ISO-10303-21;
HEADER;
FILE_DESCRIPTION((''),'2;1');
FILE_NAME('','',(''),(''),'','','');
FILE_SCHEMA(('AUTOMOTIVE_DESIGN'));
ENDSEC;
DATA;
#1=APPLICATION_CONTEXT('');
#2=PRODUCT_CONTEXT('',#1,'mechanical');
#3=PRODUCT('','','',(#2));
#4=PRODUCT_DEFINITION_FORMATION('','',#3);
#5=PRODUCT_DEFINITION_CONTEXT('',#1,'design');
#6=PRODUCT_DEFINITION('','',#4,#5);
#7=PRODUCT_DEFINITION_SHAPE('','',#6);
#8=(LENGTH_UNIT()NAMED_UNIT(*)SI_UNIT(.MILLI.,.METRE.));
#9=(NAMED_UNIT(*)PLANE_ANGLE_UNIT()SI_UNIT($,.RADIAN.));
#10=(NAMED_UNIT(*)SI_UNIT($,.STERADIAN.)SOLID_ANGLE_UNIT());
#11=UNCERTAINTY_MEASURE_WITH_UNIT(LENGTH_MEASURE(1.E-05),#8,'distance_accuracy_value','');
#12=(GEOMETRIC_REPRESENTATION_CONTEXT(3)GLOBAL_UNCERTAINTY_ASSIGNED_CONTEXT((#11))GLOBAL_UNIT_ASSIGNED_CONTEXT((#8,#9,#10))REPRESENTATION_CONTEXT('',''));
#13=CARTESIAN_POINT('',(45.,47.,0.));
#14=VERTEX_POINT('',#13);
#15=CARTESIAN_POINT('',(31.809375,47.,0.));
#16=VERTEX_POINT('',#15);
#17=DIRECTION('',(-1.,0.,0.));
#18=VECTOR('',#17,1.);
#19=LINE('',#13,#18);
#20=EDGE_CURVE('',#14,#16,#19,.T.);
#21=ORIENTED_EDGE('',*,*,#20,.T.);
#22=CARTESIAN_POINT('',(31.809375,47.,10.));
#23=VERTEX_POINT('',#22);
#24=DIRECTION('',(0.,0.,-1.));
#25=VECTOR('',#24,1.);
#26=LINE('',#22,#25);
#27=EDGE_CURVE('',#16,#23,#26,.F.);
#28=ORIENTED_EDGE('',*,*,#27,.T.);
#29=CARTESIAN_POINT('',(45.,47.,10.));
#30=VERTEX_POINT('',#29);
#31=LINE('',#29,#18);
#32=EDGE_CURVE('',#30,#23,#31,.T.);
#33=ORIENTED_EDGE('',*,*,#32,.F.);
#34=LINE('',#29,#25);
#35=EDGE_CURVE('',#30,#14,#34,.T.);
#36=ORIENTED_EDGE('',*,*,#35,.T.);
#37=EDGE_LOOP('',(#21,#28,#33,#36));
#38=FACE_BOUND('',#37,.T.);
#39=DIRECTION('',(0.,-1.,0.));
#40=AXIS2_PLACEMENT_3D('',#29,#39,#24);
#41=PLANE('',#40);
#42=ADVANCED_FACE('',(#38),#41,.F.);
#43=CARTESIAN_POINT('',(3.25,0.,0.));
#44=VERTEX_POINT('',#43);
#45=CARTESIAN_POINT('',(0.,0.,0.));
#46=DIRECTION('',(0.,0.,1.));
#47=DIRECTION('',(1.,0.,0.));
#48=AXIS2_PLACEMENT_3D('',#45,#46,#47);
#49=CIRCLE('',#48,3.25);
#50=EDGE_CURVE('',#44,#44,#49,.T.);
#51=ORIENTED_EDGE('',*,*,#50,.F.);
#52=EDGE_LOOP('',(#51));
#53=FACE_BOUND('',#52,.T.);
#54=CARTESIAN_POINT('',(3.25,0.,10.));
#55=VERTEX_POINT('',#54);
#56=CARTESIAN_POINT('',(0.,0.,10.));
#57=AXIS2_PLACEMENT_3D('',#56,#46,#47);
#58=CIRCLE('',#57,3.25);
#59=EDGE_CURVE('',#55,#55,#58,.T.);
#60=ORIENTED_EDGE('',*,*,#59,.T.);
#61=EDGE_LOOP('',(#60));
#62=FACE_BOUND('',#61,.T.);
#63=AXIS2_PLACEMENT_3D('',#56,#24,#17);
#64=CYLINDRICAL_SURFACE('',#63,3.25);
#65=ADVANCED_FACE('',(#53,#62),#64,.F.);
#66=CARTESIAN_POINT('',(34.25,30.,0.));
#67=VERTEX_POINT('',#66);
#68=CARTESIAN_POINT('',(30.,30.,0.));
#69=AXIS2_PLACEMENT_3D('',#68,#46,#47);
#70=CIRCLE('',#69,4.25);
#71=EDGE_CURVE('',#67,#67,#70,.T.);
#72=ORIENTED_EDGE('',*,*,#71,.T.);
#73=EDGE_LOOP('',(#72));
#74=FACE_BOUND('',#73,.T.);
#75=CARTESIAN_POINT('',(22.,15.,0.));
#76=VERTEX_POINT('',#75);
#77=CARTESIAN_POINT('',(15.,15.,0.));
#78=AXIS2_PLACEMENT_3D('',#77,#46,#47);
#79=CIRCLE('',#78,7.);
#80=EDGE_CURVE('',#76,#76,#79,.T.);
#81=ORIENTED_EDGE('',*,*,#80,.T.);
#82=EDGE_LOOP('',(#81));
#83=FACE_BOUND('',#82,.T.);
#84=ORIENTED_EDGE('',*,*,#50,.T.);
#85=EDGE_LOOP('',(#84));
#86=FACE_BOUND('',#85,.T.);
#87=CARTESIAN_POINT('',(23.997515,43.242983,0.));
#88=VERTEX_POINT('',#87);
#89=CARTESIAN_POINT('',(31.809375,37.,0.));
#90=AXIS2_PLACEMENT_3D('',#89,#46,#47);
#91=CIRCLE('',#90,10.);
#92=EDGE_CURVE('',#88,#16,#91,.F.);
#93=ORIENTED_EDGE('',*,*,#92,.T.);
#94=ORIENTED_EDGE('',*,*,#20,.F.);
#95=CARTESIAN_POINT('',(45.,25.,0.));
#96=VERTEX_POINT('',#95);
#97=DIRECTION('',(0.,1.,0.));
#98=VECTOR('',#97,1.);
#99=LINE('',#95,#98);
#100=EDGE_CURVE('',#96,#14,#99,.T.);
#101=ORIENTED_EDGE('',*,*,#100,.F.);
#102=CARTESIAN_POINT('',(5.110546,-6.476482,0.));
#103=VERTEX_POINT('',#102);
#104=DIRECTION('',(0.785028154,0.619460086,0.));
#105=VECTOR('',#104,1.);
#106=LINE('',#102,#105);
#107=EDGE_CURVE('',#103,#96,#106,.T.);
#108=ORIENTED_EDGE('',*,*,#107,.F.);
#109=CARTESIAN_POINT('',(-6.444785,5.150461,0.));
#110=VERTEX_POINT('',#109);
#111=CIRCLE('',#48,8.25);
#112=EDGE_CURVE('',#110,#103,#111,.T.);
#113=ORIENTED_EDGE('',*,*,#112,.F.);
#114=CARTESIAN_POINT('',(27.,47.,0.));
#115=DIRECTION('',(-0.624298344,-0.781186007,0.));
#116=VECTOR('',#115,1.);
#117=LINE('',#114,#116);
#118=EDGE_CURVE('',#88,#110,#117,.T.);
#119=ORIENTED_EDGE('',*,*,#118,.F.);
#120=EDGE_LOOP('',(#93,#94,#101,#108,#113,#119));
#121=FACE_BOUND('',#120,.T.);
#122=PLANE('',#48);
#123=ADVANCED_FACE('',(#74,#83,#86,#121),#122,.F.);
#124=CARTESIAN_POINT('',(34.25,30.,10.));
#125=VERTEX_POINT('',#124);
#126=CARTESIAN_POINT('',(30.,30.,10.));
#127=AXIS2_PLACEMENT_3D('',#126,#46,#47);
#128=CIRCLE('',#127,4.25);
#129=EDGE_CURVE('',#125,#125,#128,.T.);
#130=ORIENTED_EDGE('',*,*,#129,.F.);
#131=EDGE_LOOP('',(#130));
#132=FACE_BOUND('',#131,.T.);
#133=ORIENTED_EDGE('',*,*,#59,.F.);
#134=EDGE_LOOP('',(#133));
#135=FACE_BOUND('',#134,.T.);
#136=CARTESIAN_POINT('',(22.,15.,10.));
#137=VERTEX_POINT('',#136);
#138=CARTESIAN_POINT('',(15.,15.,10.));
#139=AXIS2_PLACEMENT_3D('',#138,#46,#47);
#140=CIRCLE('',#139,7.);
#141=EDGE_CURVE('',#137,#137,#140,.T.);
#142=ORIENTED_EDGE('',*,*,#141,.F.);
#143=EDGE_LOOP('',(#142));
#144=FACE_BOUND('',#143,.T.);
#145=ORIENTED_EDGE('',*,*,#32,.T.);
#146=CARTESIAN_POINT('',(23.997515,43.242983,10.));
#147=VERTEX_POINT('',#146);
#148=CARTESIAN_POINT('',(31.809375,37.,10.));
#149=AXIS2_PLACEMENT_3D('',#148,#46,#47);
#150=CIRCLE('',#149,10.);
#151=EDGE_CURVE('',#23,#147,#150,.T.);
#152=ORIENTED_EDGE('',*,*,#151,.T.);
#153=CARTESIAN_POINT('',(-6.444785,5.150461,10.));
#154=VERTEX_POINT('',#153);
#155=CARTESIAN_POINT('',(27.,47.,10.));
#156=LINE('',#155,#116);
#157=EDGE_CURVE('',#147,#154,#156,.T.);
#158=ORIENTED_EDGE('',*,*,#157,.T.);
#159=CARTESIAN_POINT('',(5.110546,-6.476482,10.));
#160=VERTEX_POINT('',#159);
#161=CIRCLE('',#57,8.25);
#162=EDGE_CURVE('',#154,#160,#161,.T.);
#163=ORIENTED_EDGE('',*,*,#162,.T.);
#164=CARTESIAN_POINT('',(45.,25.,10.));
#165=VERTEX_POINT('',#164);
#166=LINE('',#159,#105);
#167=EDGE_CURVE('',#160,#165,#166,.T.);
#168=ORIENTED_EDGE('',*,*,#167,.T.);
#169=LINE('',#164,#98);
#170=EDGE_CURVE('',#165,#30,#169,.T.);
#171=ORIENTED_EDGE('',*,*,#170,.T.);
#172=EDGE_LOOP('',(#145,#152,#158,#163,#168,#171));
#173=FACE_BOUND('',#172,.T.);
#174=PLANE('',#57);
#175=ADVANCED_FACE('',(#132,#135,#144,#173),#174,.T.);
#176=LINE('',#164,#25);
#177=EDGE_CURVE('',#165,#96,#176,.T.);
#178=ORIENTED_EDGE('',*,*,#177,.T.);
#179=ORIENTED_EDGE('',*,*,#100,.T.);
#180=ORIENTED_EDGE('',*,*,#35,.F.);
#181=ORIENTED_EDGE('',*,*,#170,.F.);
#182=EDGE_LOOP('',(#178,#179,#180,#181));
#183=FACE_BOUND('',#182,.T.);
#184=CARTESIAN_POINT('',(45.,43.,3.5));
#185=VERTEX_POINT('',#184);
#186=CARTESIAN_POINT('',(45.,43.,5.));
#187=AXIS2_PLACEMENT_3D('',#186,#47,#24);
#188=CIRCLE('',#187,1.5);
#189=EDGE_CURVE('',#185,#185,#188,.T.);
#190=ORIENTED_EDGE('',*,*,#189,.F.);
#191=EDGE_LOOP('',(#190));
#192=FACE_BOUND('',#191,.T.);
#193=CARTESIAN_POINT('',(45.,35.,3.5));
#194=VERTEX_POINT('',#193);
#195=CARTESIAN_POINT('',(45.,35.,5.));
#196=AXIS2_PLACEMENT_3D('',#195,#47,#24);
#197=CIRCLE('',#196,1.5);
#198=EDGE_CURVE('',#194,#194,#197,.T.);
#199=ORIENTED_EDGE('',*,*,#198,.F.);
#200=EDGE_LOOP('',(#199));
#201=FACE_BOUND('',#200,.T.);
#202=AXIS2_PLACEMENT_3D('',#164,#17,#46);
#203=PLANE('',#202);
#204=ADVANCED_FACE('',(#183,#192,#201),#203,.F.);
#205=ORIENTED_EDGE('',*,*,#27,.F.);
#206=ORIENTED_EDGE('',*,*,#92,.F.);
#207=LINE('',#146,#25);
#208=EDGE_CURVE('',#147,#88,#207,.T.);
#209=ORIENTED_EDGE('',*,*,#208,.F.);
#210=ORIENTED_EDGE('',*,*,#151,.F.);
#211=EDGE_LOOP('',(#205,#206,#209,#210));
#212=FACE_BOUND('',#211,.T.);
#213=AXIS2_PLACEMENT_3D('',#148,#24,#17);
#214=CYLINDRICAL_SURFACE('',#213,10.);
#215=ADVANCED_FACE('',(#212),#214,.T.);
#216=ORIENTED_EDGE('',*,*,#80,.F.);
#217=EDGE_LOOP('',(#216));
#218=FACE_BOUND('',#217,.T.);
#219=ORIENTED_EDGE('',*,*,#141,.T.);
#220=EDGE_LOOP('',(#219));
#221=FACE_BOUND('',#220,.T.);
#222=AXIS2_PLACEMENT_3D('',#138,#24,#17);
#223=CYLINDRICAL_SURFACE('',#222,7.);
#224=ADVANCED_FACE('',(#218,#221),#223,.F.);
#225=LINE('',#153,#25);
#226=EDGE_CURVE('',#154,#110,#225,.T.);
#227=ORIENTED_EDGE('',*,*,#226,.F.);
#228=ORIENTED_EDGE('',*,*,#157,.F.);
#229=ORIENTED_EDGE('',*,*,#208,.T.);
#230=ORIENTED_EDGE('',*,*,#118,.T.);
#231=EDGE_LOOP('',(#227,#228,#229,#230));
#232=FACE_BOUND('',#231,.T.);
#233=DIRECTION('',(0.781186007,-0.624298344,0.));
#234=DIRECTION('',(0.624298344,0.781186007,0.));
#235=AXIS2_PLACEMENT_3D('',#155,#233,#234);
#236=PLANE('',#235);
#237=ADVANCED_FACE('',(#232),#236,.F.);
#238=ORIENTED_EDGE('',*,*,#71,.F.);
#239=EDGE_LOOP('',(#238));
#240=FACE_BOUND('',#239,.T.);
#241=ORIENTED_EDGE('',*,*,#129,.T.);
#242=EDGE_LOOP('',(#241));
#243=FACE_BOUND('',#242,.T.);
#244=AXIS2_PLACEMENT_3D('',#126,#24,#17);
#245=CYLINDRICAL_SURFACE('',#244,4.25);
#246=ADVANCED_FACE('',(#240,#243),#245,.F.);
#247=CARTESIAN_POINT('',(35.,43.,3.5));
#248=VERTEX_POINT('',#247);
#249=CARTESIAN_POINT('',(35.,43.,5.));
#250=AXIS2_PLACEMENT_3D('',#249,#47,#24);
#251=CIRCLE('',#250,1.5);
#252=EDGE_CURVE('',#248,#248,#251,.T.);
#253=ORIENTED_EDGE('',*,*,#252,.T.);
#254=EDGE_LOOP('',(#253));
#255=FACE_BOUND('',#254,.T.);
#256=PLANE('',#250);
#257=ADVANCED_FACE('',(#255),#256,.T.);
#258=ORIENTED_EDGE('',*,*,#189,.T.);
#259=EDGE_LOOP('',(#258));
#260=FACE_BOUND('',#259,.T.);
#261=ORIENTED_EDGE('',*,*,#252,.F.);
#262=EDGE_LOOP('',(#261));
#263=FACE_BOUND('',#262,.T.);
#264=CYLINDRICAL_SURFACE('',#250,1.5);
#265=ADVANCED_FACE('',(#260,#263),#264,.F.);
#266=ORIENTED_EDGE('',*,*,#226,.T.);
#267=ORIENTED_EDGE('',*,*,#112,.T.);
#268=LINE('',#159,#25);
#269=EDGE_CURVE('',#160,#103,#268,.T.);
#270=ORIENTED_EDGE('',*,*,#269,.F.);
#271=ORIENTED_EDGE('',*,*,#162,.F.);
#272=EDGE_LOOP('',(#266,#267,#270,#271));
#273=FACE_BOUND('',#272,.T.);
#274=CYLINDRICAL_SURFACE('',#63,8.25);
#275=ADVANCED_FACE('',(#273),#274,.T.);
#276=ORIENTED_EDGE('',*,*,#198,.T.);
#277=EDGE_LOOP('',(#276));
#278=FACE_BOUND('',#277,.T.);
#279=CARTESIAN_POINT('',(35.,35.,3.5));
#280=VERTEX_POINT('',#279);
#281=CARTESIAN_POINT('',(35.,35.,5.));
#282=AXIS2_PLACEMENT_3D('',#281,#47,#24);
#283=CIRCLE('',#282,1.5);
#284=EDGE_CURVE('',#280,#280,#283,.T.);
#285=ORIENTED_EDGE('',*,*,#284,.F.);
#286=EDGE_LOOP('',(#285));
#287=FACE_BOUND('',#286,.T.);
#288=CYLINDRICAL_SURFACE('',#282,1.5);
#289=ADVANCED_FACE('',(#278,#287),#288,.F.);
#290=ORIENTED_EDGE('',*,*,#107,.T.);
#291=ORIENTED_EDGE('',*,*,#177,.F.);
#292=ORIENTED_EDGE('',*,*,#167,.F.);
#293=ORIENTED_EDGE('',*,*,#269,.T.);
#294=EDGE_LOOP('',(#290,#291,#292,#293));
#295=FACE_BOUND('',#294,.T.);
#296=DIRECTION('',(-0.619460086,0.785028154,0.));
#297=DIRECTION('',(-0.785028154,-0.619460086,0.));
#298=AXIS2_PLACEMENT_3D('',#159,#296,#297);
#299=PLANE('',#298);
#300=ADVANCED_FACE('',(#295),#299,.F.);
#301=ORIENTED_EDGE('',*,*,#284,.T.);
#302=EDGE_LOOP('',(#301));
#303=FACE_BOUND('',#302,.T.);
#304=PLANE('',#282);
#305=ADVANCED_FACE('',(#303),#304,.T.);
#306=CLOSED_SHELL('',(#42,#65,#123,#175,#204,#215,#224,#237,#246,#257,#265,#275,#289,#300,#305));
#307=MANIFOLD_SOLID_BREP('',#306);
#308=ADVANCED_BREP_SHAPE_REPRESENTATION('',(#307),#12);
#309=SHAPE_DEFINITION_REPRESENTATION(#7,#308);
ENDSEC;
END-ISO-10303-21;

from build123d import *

# Parameters (mm, degrees)
SKETCH1_R           = 3.25
SKETCH1_R_2         = 4.25
SKETCH1_R_3         = 7
BOSS_EXTRUDE1_DEPTH = 10
SKETCH2_R           = 1.5
CUT_EXTRUDE1_DEPTH  = 10
FILLET1_R           = 10


with BuildPart() as part:
    # Sketch1 → Boss-Extrude1 (new body)
    with BuildSketch(Plane.XY):
        with BuildLine():
            Line((5.110545705, -6.47648227), (45, 25))
            Line((45, 25), (45, 47))
            Line((45, 47), (27, 47))
            Line((27, 47), (-6.444784556, 5.150461341))
            ThreePointArc((-6.444784556, 5.150461341), (-5.851623942, -5.815582279), (5.110545705, -6.47648227))
        make_face()
        Circle(SKETCH1_R, mode=Mode.SUBTRACT)
        with Locations((30, 30)):
            Circle(SKETCH1_R_2, mode=Mode.SUBTRACT)
        with Locations((15, 15)):
            Circle(SKETCH1_R_3, mode=Mode.SUBTRACT)
    extrude(amount=BOSS_EXTRUDE1_DEPTH)

    # Sketch2 → Cut-Extrude1 (cut)
    with BuildSketch(Plane(origin=(45, 0, 0), x_dir=(0, 0, -1), z_dir=(1, 0, 0))):
        with Locations((-5, 43)):
            Circle(SKETCH2_R)
        with Locations((-5, 35)):
            Circle(SKETCH2_R)
    extrude(amount=-CUT_EXTRUDE1_DEPTH, mode=Mode.SUBTRACT)

    # Fillet1
    fillet1_edges = [part.edges().sort_by_distance(p)[0] for p in [
        (27, 47, 5),
    ]]
    fillet(fillet1_edges, radius=FILLET1_R)


solid = part.part
